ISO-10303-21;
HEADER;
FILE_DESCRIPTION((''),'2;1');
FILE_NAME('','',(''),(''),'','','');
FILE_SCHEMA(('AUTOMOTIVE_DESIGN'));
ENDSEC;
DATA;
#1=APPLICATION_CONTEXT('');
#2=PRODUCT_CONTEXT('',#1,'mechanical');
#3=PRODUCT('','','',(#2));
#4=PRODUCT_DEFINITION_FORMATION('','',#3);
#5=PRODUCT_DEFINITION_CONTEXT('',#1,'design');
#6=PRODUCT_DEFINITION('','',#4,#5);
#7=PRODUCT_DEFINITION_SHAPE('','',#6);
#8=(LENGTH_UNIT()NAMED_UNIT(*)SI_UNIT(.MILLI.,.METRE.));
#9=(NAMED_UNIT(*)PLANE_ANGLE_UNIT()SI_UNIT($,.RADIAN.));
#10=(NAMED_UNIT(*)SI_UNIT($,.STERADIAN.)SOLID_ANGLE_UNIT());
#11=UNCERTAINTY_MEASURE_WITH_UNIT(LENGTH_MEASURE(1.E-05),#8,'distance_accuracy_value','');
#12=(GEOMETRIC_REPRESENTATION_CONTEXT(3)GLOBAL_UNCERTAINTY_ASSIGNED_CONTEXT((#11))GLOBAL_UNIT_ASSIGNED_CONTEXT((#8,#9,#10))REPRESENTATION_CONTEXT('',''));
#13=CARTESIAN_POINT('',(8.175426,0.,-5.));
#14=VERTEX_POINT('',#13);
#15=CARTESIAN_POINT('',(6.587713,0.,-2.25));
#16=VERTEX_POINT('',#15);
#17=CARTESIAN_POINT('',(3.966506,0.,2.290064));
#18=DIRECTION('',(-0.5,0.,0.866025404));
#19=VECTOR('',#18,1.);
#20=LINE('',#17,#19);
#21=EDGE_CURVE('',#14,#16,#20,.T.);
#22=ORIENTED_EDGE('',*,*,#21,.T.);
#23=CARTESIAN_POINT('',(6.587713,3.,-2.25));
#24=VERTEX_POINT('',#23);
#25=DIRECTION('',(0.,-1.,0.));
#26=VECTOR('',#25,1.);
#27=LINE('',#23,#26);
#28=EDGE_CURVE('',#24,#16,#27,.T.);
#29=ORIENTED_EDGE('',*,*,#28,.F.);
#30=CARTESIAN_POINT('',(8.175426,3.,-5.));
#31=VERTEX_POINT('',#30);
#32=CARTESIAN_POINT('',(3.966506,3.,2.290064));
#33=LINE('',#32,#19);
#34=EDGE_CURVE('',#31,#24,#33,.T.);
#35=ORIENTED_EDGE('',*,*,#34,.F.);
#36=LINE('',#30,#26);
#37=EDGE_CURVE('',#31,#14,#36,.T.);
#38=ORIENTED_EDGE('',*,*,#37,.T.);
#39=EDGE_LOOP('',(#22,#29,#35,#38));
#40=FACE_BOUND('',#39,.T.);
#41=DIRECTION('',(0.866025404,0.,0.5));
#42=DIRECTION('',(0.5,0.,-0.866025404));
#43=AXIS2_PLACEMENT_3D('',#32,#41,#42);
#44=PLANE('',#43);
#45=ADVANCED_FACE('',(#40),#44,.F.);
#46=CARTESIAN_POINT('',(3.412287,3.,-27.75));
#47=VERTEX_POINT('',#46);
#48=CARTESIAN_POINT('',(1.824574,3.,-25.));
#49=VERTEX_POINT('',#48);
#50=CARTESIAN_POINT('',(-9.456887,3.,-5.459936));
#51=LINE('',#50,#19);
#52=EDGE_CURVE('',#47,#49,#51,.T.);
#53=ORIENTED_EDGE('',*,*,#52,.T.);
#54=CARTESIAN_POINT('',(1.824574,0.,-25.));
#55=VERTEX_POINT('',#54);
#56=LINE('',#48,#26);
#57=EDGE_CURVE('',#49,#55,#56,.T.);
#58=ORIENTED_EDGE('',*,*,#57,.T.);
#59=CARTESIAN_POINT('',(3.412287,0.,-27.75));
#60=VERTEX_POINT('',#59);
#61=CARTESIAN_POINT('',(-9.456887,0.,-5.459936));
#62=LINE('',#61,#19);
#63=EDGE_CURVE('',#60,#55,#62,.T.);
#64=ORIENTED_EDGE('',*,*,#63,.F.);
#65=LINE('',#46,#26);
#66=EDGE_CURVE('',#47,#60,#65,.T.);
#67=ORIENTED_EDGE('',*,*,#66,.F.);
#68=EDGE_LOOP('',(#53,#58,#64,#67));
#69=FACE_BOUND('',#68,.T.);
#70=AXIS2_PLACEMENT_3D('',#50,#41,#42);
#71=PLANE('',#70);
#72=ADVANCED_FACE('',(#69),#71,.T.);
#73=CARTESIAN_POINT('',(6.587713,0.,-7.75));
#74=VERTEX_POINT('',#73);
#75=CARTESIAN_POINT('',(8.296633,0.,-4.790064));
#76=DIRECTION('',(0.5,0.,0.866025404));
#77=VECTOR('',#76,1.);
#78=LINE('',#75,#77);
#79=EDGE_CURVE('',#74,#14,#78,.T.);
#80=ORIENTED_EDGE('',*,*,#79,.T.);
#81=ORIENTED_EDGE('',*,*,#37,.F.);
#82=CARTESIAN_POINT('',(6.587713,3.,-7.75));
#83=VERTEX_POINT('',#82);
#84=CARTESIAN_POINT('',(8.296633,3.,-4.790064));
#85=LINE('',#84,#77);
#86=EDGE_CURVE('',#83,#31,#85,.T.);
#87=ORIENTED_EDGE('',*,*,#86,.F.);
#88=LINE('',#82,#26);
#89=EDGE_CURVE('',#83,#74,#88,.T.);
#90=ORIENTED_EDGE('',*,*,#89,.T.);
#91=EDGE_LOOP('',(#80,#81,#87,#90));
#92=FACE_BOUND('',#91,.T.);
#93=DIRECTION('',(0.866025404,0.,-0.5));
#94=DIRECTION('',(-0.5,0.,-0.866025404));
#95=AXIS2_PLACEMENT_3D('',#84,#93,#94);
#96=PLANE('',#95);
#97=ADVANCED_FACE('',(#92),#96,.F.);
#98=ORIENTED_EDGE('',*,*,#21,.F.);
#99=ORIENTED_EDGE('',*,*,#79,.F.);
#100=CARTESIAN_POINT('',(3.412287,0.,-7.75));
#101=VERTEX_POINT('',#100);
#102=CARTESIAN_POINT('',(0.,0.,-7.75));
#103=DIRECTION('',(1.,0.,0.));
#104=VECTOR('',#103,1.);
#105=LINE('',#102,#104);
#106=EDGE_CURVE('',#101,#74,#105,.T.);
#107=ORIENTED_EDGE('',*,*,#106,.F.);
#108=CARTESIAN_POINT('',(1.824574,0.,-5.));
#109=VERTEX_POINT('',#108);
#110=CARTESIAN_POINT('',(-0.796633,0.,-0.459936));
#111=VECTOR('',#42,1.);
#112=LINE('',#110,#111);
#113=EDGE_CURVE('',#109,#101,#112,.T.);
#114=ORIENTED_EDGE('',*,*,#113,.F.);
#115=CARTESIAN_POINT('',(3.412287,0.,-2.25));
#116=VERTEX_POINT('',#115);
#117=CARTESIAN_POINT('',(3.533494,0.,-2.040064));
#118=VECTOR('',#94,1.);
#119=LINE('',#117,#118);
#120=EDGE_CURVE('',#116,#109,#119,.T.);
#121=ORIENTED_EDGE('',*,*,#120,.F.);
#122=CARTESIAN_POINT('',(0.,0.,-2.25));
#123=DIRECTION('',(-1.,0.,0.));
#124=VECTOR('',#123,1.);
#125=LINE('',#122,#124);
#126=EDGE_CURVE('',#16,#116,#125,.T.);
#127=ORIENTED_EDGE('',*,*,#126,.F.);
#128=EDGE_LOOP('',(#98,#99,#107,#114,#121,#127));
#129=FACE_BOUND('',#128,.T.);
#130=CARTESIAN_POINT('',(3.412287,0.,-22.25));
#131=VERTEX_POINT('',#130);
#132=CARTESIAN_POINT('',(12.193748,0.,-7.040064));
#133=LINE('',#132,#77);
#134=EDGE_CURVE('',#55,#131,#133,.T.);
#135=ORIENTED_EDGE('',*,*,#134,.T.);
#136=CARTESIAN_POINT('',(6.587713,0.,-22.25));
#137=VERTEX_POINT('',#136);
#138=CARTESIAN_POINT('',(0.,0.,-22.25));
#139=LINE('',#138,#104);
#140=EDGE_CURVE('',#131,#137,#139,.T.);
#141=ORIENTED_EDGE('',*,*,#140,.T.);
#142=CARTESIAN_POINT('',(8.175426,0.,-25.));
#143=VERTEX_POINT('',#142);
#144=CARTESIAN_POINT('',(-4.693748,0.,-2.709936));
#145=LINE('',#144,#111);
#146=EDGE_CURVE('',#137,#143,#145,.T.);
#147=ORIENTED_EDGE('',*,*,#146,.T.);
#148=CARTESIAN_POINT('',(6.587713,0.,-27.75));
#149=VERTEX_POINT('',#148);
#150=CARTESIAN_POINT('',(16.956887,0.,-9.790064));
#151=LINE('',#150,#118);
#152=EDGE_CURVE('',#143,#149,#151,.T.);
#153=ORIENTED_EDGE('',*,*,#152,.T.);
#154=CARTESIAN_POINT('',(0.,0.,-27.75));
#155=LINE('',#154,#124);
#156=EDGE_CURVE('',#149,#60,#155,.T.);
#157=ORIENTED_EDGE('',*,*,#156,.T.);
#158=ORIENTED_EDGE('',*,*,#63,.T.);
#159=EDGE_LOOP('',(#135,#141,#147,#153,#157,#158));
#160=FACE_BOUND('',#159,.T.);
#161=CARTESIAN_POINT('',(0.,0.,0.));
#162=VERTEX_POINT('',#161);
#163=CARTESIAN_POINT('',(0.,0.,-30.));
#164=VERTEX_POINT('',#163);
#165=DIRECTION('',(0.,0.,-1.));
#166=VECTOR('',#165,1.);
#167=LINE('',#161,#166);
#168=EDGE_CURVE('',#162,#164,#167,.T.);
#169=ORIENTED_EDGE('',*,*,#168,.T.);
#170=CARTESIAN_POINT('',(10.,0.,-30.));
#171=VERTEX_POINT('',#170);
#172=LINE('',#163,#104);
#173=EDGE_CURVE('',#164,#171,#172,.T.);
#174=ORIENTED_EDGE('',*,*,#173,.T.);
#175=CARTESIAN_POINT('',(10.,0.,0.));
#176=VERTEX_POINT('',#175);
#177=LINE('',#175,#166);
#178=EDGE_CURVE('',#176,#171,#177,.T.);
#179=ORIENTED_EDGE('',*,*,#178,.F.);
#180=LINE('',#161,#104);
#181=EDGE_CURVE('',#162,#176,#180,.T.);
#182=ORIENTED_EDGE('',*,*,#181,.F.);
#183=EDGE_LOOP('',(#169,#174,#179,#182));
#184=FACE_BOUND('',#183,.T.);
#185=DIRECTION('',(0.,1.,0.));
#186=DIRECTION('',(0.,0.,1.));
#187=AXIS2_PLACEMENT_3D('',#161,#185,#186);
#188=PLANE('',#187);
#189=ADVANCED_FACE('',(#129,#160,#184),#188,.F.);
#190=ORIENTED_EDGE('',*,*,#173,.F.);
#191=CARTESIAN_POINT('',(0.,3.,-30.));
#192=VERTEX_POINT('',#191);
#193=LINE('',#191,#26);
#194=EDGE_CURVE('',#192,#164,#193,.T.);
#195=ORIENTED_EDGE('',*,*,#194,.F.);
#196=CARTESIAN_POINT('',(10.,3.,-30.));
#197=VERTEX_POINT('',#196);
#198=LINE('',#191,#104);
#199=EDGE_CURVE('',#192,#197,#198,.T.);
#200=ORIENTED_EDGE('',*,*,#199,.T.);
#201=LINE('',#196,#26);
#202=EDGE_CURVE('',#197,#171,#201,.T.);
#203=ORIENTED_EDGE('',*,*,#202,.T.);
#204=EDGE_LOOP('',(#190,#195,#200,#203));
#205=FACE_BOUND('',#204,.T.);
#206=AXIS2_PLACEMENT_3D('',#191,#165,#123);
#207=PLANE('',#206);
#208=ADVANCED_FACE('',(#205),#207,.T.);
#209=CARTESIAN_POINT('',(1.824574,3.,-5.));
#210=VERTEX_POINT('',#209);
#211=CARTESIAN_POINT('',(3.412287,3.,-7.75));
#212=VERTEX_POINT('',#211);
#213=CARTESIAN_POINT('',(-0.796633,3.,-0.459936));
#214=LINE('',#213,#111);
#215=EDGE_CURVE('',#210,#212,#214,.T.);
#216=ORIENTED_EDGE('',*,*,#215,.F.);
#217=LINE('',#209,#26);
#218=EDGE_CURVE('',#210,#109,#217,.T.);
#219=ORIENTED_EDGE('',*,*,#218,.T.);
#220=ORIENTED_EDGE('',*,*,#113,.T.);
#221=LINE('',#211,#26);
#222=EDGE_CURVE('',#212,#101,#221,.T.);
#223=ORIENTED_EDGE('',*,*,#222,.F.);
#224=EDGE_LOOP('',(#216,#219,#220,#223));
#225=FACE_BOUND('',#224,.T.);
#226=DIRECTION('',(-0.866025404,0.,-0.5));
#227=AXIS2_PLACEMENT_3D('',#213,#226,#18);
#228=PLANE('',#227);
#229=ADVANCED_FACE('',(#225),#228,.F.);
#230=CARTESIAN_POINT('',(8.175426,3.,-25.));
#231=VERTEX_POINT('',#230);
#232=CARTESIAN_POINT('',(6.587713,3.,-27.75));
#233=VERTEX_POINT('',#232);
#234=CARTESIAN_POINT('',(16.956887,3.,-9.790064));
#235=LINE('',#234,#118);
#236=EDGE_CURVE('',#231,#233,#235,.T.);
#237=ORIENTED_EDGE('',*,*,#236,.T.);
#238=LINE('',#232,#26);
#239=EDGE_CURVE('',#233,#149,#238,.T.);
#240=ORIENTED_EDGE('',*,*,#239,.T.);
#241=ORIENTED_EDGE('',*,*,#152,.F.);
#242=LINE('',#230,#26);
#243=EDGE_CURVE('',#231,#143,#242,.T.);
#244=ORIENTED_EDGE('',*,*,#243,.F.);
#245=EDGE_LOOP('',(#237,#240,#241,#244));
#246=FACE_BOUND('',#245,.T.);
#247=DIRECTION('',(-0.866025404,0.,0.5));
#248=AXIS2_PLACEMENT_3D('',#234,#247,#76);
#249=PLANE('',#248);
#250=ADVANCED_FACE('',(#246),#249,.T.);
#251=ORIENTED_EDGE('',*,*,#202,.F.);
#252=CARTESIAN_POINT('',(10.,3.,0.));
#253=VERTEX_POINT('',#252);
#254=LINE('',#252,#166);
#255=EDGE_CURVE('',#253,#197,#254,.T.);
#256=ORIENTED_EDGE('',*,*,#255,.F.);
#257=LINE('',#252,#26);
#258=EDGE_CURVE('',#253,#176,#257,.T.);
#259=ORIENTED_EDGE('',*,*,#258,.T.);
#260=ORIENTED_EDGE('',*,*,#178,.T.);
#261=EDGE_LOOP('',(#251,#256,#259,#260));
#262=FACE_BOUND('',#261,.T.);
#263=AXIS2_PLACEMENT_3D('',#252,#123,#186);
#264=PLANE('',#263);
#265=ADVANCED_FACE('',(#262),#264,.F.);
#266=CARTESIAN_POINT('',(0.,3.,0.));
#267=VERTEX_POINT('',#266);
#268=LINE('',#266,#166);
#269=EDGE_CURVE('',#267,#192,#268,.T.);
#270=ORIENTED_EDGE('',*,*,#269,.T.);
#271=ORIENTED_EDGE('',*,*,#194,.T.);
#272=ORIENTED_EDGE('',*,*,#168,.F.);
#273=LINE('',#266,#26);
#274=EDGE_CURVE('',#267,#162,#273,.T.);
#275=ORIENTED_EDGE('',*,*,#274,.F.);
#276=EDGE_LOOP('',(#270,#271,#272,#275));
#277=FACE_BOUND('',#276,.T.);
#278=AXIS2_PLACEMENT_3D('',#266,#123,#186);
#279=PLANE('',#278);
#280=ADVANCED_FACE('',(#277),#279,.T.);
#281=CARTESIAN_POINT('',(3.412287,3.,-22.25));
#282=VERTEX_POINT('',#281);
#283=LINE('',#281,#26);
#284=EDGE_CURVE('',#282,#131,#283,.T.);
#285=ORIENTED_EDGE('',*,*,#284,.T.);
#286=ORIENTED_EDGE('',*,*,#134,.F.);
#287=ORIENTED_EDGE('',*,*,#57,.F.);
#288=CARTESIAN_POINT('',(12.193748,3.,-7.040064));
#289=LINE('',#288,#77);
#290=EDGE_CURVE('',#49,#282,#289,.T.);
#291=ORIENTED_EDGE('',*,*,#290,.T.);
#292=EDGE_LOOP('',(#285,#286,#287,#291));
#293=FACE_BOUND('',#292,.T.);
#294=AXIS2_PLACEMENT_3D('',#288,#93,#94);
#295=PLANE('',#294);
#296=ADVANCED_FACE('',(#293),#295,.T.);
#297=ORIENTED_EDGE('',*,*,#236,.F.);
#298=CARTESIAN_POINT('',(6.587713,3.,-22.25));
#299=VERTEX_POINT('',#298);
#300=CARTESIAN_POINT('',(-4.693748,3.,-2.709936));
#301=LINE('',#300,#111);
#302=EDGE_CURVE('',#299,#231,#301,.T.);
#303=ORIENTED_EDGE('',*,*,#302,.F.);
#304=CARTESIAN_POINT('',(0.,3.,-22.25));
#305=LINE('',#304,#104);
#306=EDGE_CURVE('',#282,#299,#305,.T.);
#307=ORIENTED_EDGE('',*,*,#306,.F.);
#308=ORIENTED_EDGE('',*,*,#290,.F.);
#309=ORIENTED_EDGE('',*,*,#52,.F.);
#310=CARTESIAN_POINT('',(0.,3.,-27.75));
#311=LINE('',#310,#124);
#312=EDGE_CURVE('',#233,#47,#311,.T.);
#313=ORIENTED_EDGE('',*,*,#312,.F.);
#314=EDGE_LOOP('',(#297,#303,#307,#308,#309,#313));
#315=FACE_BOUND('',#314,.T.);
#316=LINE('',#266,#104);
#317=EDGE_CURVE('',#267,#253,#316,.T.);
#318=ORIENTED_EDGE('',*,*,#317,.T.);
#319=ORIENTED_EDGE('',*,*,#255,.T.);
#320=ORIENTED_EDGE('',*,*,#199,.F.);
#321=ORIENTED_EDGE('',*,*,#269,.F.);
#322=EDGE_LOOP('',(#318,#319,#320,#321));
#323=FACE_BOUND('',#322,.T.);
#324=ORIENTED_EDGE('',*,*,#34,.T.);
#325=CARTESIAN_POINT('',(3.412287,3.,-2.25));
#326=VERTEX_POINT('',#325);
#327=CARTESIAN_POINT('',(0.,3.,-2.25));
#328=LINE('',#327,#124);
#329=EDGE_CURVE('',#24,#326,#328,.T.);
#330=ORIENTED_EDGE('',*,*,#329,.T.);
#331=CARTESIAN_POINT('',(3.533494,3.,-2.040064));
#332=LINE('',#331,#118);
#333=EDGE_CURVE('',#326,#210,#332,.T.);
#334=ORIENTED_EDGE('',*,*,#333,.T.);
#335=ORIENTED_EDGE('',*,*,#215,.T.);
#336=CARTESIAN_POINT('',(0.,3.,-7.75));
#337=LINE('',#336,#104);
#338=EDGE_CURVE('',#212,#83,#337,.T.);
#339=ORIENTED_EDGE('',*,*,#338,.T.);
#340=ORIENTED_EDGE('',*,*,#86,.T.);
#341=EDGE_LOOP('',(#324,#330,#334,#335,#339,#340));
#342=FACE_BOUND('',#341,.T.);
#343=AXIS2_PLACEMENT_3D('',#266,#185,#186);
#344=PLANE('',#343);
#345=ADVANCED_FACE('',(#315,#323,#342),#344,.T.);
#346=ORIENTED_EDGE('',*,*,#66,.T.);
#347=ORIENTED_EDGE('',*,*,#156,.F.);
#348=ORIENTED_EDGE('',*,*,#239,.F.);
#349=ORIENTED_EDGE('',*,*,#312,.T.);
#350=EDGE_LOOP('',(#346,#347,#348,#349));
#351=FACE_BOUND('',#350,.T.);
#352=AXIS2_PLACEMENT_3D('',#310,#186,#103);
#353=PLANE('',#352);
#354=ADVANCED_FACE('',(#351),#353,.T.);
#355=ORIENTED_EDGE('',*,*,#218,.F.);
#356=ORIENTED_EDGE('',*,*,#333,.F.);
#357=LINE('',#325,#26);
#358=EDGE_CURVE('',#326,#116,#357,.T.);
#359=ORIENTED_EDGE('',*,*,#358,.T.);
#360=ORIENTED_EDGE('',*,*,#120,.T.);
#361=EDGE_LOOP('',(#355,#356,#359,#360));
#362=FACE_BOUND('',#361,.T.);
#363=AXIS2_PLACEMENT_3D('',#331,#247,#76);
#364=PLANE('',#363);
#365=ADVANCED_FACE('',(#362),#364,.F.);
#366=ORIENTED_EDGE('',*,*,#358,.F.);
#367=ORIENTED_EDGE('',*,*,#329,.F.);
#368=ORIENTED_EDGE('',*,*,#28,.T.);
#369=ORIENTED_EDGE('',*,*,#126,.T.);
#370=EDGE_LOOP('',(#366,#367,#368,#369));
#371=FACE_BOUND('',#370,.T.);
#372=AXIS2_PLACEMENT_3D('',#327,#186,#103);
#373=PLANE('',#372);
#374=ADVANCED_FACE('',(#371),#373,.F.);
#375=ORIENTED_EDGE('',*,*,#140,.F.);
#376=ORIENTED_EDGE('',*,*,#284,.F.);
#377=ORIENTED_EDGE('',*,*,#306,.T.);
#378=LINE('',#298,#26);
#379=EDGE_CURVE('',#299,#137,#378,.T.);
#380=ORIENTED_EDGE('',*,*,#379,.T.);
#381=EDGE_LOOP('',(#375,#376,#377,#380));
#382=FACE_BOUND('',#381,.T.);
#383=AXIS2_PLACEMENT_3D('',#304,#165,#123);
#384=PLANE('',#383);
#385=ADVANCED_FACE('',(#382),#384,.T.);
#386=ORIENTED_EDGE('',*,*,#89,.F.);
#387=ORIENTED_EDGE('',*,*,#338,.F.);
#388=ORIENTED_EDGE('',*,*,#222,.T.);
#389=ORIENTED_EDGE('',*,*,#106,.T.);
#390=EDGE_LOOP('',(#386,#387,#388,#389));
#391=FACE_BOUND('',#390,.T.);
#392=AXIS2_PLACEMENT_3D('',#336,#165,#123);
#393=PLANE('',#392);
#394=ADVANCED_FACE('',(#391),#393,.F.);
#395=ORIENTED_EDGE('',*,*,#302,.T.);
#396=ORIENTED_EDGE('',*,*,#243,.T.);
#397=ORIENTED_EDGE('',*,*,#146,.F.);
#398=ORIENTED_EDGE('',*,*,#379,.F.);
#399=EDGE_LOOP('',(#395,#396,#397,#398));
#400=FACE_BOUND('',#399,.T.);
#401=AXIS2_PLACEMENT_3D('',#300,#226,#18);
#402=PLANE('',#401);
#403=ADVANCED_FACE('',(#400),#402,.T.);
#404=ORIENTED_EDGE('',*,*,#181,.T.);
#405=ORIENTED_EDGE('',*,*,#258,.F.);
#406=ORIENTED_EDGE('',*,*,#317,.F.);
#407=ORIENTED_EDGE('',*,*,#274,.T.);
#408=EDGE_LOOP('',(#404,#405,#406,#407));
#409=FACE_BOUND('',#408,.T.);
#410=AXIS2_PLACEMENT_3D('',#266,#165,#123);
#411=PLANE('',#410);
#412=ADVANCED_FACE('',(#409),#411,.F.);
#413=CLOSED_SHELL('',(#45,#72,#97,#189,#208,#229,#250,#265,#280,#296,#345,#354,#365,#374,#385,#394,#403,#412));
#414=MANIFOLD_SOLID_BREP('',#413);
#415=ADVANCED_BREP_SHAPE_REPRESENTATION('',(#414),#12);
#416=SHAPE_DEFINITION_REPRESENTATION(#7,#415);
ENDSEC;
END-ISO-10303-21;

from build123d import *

# Parameters (mm, degrees)
SKETCH1_W           = 10
SKETCH1_H           = 30
BOSS_EXTRUDE1_DEPTH = 3


with BuildPart() as part:
    # Sketch1 → Boss-Extrude1 (new body)
    with BuildSketch(Plane(origin=(0, 0, 0), x_dir=(1, 0, 0), z_dir=(0, 1, 0))):
        with Locations((5, 15)):
            Rectangle(SKETCH1_W, SKETCH1_H)
        Polygon((1.824573519, 25), (3.41228676, 22.25), (6.58771324, 22.25), (8.175426481, 25), (6.58771324, 27.75), (3.41228676, 27.75), align=None, mode=Mode.SUBTRACT)
        Polygon((1.824573519, 5), (3.41228676, 7.75), (6.58771324, 7.75), (8.175426481, 5), (6.58771324, 2.25), (3.41228676, 2.25), align=None, mode=Mode.SUBTRACT)
    extrude(amount=BOSS_EXTRUDE1_DEPTH)


solid = part.part
